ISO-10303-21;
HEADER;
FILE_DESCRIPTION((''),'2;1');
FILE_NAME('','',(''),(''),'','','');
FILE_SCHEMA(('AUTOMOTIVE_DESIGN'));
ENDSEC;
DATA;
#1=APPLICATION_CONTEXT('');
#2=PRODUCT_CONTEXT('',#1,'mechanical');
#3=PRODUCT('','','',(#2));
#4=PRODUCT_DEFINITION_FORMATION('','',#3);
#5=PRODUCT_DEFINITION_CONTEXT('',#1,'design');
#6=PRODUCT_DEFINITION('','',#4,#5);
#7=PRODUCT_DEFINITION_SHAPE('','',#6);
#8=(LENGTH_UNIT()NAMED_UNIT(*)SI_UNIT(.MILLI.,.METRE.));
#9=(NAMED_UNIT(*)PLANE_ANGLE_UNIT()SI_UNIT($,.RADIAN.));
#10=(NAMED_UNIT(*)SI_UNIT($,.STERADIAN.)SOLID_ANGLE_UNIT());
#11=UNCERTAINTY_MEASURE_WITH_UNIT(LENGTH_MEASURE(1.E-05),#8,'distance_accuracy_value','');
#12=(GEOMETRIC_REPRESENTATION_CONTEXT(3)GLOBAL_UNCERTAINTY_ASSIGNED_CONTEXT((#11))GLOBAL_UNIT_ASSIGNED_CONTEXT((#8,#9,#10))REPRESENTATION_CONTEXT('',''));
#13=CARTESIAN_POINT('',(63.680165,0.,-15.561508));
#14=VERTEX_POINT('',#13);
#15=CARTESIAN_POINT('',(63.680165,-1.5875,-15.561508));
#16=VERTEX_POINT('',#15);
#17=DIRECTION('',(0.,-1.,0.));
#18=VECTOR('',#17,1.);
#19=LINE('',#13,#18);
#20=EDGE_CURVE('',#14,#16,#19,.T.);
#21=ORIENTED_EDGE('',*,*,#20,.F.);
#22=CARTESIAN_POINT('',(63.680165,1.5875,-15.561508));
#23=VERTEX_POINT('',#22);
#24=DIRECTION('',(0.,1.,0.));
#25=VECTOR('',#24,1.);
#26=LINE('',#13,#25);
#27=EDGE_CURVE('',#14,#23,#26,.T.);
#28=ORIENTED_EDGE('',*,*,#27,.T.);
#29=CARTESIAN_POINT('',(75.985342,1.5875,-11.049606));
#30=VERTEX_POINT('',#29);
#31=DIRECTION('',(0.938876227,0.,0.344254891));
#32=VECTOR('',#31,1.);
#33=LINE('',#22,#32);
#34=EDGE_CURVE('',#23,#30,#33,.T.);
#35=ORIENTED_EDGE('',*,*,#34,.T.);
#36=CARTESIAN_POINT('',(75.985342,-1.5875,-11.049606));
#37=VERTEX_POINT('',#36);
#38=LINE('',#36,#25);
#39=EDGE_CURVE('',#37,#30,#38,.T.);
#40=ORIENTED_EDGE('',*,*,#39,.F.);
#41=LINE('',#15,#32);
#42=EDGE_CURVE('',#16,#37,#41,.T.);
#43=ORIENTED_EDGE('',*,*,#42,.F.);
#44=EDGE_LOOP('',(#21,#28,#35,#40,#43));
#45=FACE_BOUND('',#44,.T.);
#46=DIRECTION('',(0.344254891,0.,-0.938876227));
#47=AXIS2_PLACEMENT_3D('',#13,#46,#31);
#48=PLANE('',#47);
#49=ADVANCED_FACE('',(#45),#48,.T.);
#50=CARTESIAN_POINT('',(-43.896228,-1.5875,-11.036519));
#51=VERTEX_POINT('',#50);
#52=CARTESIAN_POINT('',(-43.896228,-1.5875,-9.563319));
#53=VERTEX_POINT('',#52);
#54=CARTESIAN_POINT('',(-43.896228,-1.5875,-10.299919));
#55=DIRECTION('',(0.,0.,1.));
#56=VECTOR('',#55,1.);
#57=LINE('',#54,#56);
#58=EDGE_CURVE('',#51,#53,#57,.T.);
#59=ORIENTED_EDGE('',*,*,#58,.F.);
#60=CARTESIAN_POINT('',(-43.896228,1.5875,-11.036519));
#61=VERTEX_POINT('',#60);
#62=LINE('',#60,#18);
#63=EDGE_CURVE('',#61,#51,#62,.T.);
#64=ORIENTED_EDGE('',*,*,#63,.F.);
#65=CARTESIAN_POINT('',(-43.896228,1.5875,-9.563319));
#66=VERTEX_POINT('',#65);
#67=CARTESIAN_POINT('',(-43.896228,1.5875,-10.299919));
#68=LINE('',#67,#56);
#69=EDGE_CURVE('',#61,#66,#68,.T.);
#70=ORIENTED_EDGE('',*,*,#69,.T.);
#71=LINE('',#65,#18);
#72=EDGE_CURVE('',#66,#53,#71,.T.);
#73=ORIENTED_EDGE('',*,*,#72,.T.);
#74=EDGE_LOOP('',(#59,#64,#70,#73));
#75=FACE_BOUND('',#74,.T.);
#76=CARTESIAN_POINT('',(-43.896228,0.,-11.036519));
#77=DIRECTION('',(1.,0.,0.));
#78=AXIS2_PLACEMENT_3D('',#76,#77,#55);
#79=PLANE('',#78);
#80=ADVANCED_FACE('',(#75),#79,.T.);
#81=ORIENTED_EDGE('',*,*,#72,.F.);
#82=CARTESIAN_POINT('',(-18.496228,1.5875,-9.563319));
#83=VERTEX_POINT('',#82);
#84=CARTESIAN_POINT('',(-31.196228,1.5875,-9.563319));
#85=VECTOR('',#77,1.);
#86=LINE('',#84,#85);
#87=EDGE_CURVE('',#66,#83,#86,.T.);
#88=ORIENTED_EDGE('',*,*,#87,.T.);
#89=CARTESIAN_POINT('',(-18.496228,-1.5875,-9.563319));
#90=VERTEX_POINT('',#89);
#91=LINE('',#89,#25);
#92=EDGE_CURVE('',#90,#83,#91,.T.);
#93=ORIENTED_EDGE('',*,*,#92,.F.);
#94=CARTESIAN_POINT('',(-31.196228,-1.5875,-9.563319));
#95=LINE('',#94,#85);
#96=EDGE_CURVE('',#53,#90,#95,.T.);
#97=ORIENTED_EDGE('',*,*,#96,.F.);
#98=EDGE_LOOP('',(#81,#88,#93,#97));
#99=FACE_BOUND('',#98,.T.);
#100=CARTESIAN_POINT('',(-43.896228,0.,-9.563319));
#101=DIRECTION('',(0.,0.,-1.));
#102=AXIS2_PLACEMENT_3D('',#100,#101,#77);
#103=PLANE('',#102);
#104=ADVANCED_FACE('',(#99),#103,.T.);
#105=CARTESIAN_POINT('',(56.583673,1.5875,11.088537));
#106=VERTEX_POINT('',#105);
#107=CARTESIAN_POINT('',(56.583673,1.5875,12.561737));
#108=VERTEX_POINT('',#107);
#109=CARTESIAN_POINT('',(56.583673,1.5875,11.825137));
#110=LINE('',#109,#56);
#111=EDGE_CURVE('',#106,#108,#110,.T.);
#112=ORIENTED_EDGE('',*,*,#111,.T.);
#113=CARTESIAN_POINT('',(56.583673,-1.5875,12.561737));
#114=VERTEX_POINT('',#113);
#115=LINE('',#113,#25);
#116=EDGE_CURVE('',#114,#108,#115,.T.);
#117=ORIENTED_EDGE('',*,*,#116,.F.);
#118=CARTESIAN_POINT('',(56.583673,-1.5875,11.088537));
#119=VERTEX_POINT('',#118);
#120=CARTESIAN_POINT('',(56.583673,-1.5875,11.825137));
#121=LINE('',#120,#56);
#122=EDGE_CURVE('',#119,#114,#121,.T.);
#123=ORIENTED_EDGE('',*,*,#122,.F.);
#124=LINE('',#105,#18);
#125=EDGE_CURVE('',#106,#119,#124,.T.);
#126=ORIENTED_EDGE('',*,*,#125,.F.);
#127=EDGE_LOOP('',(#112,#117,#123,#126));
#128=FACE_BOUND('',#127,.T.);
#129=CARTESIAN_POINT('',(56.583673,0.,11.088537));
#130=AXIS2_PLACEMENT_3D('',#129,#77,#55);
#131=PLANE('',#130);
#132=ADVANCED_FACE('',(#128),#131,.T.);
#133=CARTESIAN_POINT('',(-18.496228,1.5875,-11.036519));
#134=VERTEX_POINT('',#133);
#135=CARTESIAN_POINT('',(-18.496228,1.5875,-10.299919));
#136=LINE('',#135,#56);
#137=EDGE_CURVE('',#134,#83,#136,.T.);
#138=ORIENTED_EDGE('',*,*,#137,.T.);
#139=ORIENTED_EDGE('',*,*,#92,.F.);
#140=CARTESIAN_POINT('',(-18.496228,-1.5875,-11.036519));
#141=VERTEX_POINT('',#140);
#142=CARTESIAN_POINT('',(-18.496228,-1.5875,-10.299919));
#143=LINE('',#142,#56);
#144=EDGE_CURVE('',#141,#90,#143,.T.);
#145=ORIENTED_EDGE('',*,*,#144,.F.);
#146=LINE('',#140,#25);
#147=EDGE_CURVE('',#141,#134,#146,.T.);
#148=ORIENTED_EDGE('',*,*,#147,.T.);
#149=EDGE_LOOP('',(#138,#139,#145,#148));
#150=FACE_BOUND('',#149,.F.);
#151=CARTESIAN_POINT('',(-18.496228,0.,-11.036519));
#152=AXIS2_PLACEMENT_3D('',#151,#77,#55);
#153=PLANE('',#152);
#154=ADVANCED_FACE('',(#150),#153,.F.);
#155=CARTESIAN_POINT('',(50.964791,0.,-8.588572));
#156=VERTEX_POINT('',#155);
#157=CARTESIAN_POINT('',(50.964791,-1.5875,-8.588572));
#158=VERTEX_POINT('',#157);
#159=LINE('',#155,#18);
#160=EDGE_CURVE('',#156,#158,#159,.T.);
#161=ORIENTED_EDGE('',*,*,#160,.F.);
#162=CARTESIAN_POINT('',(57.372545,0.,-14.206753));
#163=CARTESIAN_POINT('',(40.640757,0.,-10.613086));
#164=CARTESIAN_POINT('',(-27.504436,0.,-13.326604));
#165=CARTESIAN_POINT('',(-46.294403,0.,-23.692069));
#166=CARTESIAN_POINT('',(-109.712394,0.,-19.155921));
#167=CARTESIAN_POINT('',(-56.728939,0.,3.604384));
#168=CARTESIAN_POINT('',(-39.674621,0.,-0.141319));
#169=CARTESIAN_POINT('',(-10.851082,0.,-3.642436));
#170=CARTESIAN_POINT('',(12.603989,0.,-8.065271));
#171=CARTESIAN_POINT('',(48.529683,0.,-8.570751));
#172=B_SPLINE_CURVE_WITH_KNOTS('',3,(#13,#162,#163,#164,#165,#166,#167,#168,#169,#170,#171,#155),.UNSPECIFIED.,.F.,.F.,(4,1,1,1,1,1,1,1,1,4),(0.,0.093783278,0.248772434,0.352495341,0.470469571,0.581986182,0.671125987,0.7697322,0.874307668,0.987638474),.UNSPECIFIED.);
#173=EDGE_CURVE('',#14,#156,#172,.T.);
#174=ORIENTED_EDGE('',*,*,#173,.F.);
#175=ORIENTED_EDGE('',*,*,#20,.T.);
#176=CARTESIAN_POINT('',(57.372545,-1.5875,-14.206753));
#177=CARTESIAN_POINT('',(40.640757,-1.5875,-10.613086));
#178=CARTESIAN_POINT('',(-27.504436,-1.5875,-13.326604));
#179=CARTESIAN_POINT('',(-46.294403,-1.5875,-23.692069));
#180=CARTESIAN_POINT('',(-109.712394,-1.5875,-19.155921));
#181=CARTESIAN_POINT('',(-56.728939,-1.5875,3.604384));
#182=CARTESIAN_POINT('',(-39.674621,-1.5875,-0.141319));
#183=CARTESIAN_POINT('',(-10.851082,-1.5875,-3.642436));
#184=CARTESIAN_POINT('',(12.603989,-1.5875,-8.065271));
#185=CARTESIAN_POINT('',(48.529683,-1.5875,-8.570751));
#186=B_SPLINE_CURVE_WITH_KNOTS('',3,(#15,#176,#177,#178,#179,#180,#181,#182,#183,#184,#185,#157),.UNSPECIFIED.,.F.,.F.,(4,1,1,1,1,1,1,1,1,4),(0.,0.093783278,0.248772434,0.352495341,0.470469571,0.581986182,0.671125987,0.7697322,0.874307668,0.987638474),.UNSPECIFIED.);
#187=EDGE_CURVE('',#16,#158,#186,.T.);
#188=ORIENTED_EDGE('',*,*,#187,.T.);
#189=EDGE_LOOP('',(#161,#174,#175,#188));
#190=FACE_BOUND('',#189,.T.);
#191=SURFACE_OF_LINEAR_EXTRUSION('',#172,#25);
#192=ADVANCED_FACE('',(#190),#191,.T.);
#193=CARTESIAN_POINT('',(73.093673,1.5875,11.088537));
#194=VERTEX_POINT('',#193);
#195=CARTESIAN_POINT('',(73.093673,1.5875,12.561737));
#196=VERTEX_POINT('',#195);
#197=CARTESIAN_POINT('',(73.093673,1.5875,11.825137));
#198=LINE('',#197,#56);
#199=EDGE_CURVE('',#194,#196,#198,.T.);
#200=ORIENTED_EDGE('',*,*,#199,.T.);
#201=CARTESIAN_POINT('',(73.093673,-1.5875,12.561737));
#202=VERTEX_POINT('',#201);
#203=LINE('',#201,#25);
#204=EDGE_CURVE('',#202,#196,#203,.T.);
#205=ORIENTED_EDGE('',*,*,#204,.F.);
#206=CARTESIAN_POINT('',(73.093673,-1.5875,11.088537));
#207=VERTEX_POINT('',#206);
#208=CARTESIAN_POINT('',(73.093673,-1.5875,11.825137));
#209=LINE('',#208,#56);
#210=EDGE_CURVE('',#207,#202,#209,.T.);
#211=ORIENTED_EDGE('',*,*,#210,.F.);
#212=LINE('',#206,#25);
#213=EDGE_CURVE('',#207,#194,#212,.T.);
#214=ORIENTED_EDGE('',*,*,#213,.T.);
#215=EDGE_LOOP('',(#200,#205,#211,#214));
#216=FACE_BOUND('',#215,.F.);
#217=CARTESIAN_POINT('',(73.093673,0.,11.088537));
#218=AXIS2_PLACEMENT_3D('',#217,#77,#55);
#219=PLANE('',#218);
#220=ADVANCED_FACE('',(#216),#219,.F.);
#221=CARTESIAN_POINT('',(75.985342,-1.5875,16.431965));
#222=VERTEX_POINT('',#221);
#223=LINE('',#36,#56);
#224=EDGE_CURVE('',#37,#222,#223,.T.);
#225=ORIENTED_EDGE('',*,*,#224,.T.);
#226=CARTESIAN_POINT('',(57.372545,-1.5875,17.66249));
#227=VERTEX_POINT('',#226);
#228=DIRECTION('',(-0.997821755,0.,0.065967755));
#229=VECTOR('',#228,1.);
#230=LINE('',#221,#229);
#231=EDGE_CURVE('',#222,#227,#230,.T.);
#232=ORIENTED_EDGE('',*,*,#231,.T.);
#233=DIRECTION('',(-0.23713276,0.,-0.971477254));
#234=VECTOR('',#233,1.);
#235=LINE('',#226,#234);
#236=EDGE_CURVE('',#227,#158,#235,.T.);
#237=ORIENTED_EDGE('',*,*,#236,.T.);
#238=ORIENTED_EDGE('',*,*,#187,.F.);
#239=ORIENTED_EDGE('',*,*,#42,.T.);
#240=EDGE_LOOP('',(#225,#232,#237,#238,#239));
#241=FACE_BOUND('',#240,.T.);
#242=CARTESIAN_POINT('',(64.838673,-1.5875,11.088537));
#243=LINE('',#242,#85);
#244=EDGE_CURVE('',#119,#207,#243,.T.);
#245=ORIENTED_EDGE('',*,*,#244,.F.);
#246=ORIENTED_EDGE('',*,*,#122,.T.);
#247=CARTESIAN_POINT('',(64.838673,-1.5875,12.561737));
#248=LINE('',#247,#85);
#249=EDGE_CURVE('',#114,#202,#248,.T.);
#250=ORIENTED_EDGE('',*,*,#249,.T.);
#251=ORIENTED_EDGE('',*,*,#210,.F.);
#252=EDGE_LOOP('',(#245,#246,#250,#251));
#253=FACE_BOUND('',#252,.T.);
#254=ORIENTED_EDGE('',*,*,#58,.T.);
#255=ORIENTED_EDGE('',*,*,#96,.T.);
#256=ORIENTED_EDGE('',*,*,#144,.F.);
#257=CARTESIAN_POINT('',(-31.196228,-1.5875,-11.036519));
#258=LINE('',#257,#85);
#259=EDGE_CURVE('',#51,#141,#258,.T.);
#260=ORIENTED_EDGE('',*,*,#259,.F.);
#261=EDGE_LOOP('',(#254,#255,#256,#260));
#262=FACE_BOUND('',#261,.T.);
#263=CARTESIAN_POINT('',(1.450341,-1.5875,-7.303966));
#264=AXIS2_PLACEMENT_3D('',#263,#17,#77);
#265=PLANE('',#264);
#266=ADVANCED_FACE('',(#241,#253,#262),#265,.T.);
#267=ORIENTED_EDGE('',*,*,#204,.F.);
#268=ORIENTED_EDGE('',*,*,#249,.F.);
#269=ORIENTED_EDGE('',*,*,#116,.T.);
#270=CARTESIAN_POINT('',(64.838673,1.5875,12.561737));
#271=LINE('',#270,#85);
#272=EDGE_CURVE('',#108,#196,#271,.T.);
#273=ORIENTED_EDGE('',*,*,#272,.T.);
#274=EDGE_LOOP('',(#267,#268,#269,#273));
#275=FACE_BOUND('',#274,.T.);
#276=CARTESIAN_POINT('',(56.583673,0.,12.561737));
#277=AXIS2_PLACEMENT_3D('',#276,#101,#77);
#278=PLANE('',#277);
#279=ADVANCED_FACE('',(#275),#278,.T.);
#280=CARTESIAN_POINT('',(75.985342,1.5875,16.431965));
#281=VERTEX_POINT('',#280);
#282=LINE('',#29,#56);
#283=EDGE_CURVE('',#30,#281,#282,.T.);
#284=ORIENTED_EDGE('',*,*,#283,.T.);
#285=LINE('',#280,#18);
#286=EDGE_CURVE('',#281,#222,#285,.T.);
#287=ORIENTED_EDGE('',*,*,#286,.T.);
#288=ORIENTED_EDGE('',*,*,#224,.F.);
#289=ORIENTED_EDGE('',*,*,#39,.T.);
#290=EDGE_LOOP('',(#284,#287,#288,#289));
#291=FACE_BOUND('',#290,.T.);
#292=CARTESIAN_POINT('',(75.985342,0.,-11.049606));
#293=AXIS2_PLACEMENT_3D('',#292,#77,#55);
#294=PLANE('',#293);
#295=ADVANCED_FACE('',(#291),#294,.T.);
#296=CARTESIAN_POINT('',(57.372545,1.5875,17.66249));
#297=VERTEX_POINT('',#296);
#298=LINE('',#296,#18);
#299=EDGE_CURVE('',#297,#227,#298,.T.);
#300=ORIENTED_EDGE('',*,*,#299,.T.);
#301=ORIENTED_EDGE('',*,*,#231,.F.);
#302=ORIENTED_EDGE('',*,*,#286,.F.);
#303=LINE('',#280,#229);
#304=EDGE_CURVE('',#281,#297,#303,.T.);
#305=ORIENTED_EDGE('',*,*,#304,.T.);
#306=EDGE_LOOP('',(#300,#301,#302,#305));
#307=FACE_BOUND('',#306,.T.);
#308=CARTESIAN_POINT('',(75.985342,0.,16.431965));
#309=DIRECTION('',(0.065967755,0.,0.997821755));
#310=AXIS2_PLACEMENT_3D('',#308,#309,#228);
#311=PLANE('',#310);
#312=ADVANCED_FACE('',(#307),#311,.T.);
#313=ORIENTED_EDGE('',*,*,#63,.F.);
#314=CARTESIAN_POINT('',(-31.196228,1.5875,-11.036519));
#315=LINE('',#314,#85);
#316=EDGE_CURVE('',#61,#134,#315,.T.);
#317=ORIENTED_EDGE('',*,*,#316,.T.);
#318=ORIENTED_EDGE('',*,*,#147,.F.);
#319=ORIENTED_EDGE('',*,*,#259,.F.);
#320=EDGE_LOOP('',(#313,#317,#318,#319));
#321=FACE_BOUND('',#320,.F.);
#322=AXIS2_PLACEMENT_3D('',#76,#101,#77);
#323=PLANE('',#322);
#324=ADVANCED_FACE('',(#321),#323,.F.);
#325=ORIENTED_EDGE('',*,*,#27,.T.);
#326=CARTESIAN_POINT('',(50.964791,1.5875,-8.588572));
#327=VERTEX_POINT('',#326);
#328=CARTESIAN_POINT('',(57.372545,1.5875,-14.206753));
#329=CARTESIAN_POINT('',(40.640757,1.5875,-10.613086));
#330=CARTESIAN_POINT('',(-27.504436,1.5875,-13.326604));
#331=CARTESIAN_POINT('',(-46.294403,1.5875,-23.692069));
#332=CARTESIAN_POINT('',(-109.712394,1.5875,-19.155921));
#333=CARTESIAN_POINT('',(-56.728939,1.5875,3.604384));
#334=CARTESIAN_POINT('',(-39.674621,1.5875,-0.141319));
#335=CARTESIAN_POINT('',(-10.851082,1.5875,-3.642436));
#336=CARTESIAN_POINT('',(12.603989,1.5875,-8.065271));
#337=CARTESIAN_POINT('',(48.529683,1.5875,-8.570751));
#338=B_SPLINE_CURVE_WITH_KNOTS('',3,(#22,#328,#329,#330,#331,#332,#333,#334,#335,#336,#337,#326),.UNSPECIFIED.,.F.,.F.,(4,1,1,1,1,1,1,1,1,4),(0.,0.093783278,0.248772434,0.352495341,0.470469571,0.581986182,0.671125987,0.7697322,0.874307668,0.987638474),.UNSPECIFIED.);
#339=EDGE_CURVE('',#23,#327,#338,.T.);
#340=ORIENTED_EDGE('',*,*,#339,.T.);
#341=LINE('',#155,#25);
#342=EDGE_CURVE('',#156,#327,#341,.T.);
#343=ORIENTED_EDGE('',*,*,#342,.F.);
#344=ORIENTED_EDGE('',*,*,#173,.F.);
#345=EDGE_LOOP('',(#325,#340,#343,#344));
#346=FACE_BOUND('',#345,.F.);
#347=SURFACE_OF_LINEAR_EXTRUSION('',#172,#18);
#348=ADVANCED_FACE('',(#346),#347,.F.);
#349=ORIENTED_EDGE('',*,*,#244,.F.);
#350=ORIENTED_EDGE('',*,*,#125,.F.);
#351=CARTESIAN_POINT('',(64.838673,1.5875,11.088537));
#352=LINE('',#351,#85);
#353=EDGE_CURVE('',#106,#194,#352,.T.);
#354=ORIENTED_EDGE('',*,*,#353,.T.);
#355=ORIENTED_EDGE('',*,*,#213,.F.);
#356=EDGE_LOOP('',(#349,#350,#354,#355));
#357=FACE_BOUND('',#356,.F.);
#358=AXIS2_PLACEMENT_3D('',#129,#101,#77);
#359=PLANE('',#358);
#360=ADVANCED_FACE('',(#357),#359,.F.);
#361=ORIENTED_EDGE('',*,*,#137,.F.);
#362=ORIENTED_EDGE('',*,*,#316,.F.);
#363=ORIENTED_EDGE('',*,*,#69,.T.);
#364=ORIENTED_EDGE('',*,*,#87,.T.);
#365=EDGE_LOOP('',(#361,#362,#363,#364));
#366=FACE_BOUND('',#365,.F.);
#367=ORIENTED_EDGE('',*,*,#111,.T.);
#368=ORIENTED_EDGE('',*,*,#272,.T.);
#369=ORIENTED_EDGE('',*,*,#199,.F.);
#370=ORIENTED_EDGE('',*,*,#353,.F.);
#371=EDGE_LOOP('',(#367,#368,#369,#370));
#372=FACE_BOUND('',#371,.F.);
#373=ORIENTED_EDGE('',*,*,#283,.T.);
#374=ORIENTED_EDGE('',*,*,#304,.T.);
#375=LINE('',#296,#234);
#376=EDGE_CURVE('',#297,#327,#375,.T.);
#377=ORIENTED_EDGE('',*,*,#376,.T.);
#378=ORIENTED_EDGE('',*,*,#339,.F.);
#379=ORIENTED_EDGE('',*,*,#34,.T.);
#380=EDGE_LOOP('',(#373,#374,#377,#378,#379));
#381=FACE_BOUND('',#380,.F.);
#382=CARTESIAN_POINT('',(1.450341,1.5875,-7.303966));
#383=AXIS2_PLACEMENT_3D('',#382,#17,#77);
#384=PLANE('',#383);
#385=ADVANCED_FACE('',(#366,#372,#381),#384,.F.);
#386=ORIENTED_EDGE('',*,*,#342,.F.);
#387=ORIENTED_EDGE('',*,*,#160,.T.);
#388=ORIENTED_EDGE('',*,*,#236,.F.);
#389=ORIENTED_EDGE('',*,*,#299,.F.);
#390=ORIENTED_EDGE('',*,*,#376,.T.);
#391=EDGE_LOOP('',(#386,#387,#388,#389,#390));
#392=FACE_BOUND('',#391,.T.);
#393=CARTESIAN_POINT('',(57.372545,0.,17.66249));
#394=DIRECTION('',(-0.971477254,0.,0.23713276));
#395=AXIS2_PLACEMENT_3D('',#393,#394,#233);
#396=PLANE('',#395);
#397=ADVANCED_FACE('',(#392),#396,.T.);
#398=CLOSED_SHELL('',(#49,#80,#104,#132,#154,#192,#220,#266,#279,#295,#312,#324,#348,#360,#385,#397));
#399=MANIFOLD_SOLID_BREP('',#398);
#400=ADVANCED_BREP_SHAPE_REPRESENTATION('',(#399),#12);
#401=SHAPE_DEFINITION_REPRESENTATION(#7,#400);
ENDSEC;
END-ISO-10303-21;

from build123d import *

# Parameters (mm, degrees)
F0_W     = 25.4
F0_H     = 1.4732
F0_W_2   = 16.51
F1_DEPTH = 1.5875


with BuildPart() as f1:
    # F0 (on Front) → F1 (new body, symmetric)
    with BuildSketch(Plane.XZ):
        with BuildLine():
            Line((75.9853422642, -11.049605906), (75.9853422642, 16.4319649339))
            Line((75.9853422642, 16.4319649339), (57.3725447846, 17.6624897867))
            Line((57.3725447846, 17.6624897867), (50.9647913277, -8.5885720327))
            add(Edge.make_bspline(
                [(63.680164516, -15.5615080148), (57.3725447846, -14.2067525214), (40.6407569604, -10.6130860618), (-27.5044362889, -13.3266036753), (-46.2944034276, -23.6920689758), (-109.7123940351, -19.1559209776), (-56.7289388494, 3.6043840175), (-39.674620718, -0.1413187534), (-10.8510815668, -3.6424359231), (12.6039889865, -8.0652705061), (48.5296827051, -8.5707510919), (50.9647913277, -8.5885720327)],
                knots=[0, 0, 0, 0, 0.0937832784, 0.2487724344, 0.3524953409, 0.4704695713, 0.5819861821, 0.6711259871, 0.7697322002, 0.8743076683, 0.9876384738, 0.9876384738, 0.9876384738, 0.9876384738], degree=3))
            Line((63.680164516, -15.5615080148), (75.9853422642, -11.049605906))
        make_face()
        with Locations((-31.196228075, -10.2999189612)):
            Rectangle(F0_W, F0_H, mode=Mode.SUBTRACT)
        with Locations((64.8386727619, 11.8251370523)):
            Rectangle(F0_W_2, F0_H, mode=Mode.SUBTRACT)
    extrude(amount=F1_DEPTH, both=True)


solid = f1.part
